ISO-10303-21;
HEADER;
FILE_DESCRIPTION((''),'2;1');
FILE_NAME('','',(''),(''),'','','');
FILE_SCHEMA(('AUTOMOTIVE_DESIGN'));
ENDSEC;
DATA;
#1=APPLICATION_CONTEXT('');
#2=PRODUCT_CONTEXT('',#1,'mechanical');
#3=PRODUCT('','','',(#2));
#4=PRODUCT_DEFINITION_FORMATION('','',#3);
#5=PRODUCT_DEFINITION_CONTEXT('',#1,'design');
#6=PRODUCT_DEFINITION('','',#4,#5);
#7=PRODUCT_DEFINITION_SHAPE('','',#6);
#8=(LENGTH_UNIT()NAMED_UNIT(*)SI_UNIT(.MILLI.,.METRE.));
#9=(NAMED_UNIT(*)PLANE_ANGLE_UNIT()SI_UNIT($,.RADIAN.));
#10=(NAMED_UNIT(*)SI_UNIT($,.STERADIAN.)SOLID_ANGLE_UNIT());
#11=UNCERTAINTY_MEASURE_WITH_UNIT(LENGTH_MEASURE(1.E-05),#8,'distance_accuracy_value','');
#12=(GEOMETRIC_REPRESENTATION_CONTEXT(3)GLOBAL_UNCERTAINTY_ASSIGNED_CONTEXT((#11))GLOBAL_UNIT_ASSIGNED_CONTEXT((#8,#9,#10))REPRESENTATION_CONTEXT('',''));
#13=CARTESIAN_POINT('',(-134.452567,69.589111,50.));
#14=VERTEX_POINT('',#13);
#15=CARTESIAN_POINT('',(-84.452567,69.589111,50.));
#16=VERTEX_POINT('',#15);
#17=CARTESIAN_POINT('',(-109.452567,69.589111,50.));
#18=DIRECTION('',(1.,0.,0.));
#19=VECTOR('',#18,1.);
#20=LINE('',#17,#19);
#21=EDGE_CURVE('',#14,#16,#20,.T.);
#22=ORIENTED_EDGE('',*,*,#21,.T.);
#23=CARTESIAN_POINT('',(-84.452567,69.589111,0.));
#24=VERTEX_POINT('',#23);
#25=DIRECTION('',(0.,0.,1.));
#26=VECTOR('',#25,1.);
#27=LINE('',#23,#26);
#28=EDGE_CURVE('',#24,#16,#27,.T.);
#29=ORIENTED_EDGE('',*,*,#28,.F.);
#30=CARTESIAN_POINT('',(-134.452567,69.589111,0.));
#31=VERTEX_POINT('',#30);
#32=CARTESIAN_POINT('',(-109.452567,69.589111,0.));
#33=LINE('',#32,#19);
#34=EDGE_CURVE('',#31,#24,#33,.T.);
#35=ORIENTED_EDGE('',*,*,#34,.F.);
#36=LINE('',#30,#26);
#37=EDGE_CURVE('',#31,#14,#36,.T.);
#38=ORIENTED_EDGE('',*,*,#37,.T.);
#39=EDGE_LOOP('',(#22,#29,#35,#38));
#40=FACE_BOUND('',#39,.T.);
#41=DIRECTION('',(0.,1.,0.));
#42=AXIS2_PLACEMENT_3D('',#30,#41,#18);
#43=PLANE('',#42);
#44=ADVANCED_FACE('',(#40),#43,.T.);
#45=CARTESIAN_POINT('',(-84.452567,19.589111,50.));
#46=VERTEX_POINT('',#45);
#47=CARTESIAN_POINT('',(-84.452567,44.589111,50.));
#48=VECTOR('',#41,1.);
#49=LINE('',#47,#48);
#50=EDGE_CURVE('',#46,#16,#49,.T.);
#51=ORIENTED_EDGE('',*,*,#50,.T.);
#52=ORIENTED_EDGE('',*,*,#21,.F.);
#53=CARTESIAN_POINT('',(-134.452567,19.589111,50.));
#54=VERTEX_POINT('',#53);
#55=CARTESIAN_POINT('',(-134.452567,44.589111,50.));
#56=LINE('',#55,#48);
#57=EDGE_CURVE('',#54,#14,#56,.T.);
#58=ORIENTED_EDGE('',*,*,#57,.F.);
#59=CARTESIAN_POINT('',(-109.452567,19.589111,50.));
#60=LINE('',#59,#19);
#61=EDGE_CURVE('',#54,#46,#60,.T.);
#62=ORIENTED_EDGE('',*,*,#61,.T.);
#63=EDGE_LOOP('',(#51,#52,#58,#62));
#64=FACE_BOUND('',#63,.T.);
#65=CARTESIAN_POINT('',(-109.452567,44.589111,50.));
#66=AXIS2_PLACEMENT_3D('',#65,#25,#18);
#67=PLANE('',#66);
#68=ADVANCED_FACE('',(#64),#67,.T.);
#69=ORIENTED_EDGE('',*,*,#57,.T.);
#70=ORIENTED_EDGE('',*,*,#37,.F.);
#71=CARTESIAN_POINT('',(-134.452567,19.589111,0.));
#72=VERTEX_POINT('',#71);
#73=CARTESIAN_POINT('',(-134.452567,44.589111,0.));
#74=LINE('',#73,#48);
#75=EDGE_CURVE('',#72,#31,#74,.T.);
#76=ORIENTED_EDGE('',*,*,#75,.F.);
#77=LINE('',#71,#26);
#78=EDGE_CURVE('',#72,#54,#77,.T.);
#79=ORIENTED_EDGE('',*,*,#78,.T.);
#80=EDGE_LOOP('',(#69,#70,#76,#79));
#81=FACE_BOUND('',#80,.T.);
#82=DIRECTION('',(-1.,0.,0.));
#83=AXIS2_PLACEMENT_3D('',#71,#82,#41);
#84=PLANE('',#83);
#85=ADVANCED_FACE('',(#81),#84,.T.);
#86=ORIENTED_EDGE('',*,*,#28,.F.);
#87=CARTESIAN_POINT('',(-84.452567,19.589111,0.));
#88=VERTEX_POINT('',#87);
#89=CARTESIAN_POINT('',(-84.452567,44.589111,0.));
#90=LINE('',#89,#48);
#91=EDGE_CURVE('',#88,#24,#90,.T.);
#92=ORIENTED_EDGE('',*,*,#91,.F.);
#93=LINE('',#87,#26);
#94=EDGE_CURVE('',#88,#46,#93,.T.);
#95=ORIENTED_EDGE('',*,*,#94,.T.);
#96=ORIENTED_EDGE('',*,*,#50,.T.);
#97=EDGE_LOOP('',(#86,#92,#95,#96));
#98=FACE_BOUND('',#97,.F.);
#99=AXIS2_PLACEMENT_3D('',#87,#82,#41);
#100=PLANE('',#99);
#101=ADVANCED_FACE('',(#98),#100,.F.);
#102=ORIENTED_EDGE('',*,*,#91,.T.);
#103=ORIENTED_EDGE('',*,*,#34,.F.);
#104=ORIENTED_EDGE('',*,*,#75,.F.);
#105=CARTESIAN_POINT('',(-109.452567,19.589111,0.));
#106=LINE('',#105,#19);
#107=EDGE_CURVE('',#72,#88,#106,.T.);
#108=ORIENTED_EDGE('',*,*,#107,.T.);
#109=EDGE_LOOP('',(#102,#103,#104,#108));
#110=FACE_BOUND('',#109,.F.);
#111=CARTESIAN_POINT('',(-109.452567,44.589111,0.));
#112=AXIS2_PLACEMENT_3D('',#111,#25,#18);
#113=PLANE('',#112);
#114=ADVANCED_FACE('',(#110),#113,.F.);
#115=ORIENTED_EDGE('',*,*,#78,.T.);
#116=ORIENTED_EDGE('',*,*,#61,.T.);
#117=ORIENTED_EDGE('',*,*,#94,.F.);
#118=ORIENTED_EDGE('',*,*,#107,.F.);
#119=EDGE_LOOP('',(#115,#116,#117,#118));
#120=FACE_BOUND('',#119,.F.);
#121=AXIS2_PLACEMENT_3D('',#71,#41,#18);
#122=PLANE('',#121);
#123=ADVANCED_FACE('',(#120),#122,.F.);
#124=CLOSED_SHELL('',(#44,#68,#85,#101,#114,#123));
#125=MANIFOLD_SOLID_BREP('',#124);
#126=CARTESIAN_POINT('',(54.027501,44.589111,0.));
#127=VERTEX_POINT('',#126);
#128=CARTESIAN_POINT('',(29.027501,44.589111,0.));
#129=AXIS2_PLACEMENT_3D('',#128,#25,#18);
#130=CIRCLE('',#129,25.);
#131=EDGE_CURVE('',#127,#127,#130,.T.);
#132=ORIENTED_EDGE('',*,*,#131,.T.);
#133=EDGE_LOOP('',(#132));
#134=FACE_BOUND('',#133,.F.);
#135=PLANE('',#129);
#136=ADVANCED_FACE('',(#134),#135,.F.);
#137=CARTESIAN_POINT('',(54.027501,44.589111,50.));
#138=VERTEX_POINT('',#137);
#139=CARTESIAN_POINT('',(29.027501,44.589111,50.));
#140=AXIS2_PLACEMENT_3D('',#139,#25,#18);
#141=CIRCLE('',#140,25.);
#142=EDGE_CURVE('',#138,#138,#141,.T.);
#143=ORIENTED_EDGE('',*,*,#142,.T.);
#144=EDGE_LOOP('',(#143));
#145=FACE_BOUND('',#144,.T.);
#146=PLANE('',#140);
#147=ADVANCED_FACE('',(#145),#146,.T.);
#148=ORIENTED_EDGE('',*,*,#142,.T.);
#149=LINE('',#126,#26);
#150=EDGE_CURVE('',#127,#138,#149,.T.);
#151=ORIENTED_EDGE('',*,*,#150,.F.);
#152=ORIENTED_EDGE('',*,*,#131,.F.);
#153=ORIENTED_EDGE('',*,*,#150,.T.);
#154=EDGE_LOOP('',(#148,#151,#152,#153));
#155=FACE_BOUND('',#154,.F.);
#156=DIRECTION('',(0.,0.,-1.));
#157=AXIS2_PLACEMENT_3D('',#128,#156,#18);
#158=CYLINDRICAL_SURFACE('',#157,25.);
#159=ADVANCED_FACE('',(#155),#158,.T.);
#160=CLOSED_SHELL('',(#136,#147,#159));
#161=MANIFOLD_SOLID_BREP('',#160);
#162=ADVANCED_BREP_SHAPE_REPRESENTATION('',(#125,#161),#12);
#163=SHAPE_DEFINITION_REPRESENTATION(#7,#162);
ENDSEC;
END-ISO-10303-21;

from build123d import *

# Parameters (mm, degrees)
F0_W     = 50
F0_H     = 50
F1_DEPTH = 50
F0_R     = 25
F2_DEPTH = 50


with BuildPart() as f1:
    # F0 (on Top) → F1 (new body)
    with BuildSketch(Plane.XY):
        with Locations((-109.452567, 44.589111)):
            Rectangle(F0_W, F0_H)
    extrude(amount=F1_DEPTH)

    # F0 (on Top) → F2 (join)
    with BuildSketch(Plane.XY):
        with Locations((-109.452567, 44.589111)):
            Rectangle(F0_W, F0_H)
        with Locations((29.027501, 44.589111)):
            Circle(F0_R)
    extrude(amount=F2_DEPTH)


solid = f1.part
